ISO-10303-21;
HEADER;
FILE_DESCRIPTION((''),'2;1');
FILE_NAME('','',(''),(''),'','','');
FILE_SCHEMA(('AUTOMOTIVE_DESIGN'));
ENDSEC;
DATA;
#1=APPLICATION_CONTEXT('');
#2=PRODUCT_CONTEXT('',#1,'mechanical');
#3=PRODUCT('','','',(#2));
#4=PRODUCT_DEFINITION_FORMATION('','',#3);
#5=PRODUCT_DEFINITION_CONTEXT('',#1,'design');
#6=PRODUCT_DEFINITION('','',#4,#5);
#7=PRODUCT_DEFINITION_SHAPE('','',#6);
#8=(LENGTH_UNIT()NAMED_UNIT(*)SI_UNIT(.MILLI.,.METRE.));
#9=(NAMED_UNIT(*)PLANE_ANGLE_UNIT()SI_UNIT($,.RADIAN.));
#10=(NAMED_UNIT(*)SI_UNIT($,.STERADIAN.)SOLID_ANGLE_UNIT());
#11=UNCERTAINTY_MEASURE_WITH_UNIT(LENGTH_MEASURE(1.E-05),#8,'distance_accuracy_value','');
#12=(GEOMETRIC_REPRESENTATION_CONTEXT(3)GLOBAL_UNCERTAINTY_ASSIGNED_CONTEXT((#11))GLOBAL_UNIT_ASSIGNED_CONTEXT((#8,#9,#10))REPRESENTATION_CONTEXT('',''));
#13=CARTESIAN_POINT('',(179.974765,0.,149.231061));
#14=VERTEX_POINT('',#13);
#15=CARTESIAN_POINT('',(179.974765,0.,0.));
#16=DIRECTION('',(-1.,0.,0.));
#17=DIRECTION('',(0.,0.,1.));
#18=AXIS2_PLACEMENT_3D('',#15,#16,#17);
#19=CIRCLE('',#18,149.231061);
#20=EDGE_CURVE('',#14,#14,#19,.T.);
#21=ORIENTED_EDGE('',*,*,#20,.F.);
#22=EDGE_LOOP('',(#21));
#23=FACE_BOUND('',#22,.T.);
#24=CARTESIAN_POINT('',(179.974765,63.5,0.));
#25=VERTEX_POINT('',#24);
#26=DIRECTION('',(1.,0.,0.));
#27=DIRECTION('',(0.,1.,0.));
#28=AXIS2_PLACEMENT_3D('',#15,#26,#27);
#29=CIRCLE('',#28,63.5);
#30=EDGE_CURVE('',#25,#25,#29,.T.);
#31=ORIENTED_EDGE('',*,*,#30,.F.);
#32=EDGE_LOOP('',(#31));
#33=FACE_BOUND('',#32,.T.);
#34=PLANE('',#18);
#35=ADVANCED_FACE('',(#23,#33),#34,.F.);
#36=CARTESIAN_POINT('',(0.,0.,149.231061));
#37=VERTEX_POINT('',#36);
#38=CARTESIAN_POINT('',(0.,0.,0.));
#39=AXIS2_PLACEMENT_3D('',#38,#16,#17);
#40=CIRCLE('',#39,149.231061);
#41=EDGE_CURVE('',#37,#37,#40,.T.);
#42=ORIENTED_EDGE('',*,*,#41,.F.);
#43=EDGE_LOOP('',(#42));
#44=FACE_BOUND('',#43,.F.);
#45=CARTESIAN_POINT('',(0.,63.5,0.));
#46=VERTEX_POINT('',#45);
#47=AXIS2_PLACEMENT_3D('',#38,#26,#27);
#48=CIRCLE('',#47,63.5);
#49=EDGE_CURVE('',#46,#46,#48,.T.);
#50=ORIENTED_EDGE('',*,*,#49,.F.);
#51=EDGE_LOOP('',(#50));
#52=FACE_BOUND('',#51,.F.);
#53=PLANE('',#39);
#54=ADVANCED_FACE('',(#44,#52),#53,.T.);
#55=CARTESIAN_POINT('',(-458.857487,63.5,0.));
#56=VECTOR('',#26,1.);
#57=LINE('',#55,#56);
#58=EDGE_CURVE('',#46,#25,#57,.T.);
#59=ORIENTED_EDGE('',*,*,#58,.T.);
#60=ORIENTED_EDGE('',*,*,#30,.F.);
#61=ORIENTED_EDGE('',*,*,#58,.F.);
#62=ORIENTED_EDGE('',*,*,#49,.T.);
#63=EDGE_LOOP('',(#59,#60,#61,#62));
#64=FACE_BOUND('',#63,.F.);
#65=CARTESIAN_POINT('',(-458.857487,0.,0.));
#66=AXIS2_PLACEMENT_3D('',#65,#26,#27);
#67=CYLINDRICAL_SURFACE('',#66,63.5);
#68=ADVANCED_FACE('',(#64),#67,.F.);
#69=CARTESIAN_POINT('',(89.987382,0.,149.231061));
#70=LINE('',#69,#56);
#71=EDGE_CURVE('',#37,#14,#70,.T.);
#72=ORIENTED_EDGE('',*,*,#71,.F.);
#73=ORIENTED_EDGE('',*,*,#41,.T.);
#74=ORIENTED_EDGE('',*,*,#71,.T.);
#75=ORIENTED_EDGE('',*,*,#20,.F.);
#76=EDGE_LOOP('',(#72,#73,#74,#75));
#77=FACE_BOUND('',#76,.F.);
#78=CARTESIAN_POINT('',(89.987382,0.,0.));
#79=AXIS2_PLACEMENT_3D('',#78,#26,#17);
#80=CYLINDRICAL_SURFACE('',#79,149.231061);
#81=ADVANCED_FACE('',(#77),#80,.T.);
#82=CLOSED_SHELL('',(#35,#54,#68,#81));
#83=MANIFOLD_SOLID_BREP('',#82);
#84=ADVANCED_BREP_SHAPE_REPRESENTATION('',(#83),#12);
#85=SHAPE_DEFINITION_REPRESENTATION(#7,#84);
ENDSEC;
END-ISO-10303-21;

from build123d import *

# Parameters (mm, degrees)
F0_W = 179.9747645855
F0_H = 149.2310613394
F4_D = 127


with BuildPart() as f1:
    # F0 (on Front) → F1 (revolve)
    with BuildSketch(Plane.XZ):
        with Locations((89.9873822927, 74.6155306697)):
            Rectangle(F0_W, F0_H)
    revolve(axis=Axis((89.9873822927, 0, 0), (-1, 0, 0)))

    # F4 (through all)
    with Locations(Plane(origin=(0, 0, 0), x_dir=(0, -1, 0), z_dir=(-1, 0, 0))):
        with Locations((0, 0)):
            Hole(F4_D / 2)


solid = f1.part
